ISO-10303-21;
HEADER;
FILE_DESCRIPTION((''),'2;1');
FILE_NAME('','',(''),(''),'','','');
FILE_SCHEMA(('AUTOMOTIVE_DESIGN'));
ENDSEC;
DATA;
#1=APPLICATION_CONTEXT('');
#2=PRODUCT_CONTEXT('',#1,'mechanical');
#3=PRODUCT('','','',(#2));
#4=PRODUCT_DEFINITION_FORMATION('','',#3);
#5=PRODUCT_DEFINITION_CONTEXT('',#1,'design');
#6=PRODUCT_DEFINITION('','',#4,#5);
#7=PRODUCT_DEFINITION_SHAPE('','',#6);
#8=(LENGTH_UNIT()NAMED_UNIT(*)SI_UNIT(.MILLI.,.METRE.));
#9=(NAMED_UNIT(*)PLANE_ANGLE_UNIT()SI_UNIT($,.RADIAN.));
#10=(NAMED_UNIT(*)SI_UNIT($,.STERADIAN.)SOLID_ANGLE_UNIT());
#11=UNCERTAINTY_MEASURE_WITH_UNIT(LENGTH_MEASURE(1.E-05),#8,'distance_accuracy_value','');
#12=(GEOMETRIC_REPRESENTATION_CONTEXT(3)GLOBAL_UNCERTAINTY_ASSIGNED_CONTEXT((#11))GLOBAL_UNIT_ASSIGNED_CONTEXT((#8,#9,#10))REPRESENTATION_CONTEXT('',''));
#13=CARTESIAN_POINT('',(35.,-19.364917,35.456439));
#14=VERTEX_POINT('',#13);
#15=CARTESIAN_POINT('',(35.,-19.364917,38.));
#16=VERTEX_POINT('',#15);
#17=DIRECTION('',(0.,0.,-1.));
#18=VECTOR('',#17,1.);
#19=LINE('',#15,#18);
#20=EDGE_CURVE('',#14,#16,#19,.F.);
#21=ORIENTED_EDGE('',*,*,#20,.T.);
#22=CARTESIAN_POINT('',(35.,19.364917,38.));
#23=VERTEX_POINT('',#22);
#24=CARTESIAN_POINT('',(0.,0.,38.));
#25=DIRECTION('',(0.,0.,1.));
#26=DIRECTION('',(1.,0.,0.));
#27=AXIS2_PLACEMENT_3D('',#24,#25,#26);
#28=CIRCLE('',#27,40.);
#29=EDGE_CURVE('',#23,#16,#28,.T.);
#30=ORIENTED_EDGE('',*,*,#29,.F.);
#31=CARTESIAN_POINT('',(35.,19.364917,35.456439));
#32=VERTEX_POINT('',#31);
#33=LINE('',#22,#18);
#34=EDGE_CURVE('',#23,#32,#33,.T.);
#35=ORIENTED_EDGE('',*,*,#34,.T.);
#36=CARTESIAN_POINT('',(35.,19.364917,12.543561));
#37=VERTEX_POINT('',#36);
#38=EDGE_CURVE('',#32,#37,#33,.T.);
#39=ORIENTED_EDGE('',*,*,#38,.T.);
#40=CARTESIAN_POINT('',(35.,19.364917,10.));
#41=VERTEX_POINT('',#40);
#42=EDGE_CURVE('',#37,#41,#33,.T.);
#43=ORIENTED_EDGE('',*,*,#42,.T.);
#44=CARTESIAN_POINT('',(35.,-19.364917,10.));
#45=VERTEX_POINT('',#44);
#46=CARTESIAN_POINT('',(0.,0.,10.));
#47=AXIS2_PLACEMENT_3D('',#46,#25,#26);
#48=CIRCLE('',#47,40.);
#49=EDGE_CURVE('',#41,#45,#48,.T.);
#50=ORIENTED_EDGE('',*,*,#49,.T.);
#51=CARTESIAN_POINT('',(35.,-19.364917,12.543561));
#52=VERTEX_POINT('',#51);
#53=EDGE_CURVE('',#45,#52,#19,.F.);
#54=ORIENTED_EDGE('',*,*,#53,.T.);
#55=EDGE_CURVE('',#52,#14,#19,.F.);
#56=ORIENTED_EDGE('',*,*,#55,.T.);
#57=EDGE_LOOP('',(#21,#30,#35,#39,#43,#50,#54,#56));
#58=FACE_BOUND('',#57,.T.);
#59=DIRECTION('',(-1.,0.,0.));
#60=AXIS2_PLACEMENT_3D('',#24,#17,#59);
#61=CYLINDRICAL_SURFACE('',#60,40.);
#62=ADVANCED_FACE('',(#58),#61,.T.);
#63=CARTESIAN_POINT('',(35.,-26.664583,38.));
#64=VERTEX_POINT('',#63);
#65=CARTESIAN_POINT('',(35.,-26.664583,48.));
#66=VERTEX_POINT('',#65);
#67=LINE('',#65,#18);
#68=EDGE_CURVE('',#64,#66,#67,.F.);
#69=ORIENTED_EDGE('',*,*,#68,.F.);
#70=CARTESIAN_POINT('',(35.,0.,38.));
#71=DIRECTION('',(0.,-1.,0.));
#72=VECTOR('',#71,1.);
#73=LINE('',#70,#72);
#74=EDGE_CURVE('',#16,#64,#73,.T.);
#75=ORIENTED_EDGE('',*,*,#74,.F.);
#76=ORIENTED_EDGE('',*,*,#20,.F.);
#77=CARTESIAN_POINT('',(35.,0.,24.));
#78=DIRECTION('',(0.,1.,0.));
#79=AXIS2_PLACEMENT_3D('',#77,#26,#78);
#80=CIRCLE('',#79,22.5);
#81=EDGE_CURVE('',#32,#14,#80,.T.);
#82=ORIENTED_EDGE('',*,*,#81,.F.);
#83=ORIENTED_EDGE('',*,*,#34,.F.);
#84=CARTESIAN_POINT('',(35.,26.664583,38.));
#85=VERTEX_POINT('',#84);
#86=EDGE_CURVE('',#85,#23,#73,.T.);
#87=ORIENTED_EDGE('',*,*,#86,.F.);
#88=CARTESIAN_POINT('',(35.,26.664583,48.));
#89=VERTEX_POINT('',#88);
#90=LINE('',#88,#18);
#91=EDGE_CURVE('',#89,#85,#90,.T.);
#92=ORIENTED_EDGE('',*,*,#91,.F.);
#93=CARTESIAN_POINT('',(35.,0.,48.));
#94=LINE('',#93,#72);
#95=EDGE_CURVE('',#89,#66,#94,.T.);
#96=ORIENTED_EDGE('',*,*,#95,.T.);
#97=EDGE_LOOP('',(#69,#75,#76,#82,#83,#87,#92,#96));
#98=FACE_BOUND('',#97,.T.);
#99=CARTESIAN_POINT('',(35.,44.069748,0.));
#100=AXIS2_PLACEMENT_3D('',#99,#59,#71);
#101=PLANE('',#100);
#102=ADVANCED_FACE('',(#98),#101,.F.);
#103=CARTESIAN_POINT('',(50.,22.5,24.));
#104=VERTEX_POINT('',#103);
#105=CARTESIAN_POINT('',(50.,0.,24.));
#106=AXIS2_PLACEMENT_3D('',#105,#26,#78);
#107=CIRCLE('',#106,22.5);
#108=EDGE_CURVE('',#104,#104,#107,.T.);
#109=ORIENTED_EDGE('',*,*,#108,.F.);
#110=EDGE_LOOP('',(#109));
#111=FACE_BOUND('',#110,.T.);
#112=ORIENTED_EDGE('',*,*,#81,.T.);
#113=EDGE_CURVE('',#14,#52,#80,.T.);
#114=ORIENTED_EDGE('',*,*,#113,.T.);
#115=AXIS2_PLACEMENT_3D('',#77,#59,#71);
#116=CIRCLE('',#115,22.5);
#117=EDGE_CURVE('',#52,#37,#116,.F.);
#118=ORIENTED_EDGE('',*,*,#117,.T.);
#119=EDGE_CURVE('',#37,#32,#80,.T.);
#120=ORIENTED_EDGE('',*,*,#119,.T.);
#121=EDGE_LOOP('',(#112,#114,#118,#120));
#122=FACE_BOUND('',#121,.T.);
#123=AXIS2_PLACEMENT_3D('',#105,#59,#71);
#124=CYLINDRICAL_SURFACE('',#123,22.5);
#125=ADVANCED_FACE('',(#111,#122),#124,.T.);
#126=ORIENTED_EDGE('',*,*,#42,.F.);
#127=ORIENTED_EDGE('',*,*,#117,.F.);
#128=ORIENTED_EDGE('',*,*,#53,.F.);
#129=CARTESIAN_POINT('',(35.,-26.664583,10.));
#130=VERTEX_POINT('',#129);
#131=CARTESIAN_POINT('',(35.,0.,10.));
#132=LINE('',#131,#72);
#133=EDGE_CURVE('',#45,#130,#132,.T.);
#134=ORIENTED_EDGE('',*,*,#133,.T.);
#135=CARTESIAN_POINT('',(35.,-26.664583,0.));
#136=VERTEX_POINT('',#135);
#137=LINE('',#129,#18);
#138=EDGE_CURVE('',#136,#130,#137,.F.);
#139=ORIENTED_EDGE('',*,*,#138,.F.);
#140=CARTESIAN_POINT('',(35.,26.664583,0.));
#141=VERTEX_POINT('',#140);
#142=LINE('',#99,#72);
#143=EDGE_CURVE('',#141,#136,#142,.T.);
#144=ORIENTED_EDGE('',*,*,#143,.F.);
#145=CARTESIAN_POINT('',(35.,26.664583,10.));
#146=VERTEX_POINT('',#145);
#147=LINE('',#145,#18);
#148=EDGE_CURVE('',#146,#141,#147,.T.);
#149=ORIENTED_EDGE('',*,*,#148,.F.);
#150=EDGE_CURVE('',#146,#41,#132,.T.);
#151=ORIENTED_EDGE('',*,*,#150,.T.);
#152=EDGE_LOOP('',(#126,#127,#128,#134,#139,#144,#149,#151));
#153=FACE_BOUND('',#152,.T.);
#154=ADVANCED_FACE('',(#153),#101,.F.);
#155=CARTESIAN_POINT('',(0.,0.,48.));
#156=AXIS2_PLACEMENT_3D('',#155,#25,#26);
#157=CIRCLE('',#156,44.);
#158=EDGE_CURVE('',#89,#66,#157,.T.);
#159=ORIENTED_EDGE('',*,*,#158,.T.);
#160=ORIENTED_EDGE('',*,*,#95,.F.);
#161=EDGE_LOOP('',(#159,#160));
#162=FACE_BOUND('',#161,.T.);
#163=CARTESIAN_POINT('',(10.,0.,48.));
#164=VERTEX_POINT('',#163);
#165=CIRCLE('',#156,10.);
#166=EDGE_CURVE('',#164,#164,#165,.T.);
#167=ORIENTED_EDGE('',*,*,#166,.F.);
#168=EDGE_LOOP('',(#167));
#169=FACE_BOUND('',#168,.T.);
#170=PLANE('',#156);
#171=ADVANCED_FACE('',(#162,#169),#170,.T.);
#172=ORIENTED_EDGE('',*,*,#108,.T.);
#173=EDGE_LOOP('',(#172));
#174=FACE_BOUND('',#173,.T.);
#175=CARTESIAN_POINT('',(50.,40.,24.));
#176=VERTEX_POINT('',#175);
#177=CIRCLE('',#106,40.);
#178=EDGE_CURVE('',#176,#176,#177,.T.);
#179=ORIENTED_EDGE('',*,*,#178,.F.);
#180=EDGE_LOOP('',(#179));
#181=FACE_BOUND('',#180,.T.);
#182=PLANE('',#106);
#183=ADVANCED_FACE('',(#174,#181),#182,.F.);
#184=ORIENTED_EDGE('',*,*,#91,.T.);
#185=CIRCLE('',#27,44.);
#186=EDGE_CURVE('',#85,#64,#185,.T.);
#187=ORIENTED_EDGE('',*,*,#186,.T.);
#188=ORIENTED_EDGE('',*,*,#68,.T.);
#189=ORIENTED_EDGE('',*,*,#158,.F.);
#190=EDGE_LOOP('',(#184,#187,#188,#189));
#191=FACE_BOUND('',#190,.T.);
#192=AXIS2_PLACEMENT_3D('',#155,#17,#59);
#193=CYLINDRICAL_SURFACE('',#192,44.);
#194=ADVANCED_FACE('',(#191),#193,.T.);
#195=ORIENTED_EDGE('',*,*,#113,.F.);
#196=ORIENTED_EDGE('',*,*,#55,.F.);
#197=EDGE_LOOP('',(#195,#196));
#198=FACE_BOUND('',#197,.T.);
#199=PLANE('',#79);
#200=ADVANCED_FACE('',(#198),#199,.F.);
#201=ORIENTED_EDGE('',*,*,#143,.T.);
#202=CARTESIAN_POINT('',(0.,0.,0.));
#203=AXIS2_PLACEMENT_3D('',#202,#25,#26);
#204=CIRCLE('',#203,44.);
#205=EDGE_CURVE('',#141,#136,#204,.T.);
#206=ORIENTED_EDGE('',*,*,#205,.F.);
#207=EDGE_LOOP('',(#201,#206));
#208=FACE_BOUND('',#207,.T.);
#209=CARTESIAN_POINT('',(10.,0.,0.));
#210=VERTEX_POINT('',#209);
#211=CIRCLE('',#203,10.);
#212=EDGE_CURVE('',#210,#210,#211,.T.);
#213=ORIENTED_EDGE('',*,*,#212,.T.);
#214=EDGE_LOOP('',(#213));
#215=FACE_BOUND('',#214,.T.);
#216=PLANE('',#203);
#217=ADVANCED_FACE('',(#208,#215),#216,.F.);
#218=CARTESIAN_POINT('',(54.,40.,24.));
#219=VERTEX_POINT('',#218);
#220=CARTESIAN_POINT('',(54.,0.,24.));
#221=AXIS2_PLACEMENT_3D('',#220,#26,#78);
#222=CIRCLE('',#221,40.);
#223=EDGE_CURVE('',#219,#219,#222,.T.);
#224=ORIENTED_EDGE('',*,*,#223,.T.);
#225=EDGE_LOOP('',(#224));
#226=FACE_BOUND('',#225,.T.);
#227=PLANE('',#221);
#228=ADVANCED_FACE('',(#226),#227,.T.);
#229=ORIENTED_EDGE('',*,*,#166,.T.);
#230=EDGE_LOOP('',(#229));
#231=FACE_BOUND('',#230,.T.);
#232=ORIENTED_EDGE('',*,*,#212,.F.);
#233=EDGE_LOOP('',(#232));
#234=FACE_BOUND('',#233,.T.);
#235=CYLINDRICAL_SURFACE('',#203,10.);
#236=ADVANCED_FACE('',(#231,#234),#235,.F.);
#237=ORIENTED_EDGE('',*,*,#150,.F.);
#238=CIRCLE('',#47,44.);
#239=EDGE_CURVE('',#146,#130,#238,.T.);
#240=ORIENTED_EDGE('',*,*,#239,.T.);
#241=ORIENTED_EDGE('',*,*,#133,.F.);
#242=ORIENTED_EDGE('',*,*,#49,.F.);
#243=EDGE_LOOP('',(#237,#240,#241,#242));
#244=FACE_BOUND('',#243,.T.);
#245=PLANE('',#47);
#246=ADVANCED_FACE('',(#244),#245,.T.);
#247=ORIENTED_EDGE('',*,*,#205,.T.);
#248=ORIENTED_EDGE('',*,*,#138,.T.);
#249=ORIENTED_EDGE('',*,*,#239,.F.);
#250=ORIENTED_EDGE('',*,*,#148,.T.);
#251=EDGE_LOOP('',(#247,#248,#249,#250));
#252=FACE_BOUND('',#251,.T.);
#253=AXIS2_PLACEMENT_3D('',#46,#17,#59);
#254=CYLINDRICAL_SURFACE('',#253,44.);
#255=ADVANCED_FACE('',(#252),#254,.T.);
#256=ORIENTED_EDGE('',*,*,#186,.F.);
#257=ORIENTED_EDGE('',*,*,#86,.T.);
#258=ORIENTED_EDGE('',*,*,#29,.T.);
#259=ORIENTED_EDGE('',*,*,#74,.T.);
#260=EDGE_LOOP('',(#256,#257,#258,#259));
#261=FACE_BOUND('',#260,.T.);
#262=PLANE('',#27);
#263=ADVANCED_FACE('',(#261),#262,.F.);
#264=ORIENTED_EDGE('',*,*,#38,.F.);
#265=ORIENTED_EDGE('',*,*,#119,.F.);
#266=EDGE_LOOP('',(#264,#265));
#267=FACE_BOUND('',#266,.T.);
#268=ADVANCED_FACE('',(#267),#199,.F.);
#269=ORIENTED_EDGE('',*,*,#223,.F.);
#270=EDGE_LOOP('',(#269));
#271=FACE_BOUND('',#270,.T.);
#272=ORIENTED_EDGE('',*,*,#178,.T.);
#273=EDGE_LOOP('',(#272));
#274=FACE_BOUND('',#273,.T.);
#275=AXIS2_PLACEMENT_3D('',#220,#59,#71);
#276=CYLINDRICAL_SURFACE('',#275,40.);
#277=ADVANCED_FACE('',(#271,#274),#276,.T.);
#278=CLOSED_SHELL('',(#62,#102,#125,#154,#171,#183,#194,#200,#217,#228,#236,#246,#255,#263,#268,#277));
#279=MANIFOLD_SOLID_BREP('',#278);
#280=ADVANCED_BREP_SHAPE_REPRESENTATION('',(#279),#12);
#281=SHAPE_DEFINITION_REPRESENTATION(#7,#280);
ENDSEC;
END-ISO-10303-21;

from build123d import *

# Parameters (mm, degrees)
ESQUISSE1_R             = 44
BOSS_EXTRU_1_DEPTH      = 10
ESQUISSE2_R             = 40
BOSS_EXTRU_2_DEPTH      = 28
ESQUISSE3_R             = 44
BOSS_EXTRU_3_DEPTH      = 10
ESQUISSE5_W             = 32.472445712
ESQUISSE5_H             = 94.731646138
ENL_V_MAT_EXTRU_2_DEPTH = 79.587530818
ESQUISSE4_R             = 10
ENL_V_MAT_EXTRU_1_DEPTH = 79.587530818
SKETCH1_R               = 22.5
BOSS_EXTRUDE1_DEPTH     = 15
SKETCH2_R               = 40
BOSS_EXTRUDE2_DEPTH     = 4


with BuildPart() as part:
    # Esquisse1 → Boss.-Extru.1 (new body)
    with BuildSketch(Plane.XY):
        Circle(ESQUISSE1_R)
    extrude(amount=BOSS_EXTRU_1_DEPTH)

    # Esquisse2 → Boss.-Extru.2 (add)
    with BuildSketch(Plane.XY.offset(10)):
        Circle(ESQUISSE2_R)
    extrude(amount=BOSS_EXTRU_2_DEPTH)

    # Esquisse3 → Boss.-Extru.3 (add)
    with BuildSketch(Plane.XY.offset(38)):
        Circle(ESQUISSE3_R)
    extrude(amount=BOSS_EXTRU_3_DEPTH)

    # Esquisse5 → Enlèv. mat.-Extru.2 (cut, through all)
    with BuildSketch(Plane.XY.offset(48)):
        with Locations((51.236222856, -3.296075317)):
            Rectangle(ESQUISSE5_W, ESQUISSE5_H)
    extrude(amount=-ENL_V_MAT_EXTRU_2_DEPTH, mode=Mode.SUBTRACT)

    # Esquisse4 → Enlèv. mat.-Extru.1 (cut, through all)
    with BuildSketch(Plane.XY.offset(48)):
        Circle(ESQUISSE4_R)
    extrude(amount=-ENL_V_MAT_EXTRU_1_DEPTH, mode=Mode.SUBTRACT)

    # Sketch1 → Boss-Extrude1 (add)
    with BuildSketch(Plane(origin=(35, 0, 0), x_dir=(0, 0, -1), z_dir=(1, 0, 0))):
        with Locations(Location((-24, 0, 0), (0, 0, 239.39110234))):
            Circle(SKETCH1_R)
    extrude(amount=BOSS_EXTRUDE1_DEPTH)

    # Sketch2 → Boss-Extrude2 (add)
    with BuildSketch(Plane(origin=(50, 0, 0), x_dir=(0, 0, -1), z_dir=(1, 0, 0))):
        with Locations(Location((-24, 0, 0), (0, 0, 90))):
            Circle(SKETCH2_R)
    extrude(amount=BOSS_EXTRUDE2_DEPTH)


solid = part.part
